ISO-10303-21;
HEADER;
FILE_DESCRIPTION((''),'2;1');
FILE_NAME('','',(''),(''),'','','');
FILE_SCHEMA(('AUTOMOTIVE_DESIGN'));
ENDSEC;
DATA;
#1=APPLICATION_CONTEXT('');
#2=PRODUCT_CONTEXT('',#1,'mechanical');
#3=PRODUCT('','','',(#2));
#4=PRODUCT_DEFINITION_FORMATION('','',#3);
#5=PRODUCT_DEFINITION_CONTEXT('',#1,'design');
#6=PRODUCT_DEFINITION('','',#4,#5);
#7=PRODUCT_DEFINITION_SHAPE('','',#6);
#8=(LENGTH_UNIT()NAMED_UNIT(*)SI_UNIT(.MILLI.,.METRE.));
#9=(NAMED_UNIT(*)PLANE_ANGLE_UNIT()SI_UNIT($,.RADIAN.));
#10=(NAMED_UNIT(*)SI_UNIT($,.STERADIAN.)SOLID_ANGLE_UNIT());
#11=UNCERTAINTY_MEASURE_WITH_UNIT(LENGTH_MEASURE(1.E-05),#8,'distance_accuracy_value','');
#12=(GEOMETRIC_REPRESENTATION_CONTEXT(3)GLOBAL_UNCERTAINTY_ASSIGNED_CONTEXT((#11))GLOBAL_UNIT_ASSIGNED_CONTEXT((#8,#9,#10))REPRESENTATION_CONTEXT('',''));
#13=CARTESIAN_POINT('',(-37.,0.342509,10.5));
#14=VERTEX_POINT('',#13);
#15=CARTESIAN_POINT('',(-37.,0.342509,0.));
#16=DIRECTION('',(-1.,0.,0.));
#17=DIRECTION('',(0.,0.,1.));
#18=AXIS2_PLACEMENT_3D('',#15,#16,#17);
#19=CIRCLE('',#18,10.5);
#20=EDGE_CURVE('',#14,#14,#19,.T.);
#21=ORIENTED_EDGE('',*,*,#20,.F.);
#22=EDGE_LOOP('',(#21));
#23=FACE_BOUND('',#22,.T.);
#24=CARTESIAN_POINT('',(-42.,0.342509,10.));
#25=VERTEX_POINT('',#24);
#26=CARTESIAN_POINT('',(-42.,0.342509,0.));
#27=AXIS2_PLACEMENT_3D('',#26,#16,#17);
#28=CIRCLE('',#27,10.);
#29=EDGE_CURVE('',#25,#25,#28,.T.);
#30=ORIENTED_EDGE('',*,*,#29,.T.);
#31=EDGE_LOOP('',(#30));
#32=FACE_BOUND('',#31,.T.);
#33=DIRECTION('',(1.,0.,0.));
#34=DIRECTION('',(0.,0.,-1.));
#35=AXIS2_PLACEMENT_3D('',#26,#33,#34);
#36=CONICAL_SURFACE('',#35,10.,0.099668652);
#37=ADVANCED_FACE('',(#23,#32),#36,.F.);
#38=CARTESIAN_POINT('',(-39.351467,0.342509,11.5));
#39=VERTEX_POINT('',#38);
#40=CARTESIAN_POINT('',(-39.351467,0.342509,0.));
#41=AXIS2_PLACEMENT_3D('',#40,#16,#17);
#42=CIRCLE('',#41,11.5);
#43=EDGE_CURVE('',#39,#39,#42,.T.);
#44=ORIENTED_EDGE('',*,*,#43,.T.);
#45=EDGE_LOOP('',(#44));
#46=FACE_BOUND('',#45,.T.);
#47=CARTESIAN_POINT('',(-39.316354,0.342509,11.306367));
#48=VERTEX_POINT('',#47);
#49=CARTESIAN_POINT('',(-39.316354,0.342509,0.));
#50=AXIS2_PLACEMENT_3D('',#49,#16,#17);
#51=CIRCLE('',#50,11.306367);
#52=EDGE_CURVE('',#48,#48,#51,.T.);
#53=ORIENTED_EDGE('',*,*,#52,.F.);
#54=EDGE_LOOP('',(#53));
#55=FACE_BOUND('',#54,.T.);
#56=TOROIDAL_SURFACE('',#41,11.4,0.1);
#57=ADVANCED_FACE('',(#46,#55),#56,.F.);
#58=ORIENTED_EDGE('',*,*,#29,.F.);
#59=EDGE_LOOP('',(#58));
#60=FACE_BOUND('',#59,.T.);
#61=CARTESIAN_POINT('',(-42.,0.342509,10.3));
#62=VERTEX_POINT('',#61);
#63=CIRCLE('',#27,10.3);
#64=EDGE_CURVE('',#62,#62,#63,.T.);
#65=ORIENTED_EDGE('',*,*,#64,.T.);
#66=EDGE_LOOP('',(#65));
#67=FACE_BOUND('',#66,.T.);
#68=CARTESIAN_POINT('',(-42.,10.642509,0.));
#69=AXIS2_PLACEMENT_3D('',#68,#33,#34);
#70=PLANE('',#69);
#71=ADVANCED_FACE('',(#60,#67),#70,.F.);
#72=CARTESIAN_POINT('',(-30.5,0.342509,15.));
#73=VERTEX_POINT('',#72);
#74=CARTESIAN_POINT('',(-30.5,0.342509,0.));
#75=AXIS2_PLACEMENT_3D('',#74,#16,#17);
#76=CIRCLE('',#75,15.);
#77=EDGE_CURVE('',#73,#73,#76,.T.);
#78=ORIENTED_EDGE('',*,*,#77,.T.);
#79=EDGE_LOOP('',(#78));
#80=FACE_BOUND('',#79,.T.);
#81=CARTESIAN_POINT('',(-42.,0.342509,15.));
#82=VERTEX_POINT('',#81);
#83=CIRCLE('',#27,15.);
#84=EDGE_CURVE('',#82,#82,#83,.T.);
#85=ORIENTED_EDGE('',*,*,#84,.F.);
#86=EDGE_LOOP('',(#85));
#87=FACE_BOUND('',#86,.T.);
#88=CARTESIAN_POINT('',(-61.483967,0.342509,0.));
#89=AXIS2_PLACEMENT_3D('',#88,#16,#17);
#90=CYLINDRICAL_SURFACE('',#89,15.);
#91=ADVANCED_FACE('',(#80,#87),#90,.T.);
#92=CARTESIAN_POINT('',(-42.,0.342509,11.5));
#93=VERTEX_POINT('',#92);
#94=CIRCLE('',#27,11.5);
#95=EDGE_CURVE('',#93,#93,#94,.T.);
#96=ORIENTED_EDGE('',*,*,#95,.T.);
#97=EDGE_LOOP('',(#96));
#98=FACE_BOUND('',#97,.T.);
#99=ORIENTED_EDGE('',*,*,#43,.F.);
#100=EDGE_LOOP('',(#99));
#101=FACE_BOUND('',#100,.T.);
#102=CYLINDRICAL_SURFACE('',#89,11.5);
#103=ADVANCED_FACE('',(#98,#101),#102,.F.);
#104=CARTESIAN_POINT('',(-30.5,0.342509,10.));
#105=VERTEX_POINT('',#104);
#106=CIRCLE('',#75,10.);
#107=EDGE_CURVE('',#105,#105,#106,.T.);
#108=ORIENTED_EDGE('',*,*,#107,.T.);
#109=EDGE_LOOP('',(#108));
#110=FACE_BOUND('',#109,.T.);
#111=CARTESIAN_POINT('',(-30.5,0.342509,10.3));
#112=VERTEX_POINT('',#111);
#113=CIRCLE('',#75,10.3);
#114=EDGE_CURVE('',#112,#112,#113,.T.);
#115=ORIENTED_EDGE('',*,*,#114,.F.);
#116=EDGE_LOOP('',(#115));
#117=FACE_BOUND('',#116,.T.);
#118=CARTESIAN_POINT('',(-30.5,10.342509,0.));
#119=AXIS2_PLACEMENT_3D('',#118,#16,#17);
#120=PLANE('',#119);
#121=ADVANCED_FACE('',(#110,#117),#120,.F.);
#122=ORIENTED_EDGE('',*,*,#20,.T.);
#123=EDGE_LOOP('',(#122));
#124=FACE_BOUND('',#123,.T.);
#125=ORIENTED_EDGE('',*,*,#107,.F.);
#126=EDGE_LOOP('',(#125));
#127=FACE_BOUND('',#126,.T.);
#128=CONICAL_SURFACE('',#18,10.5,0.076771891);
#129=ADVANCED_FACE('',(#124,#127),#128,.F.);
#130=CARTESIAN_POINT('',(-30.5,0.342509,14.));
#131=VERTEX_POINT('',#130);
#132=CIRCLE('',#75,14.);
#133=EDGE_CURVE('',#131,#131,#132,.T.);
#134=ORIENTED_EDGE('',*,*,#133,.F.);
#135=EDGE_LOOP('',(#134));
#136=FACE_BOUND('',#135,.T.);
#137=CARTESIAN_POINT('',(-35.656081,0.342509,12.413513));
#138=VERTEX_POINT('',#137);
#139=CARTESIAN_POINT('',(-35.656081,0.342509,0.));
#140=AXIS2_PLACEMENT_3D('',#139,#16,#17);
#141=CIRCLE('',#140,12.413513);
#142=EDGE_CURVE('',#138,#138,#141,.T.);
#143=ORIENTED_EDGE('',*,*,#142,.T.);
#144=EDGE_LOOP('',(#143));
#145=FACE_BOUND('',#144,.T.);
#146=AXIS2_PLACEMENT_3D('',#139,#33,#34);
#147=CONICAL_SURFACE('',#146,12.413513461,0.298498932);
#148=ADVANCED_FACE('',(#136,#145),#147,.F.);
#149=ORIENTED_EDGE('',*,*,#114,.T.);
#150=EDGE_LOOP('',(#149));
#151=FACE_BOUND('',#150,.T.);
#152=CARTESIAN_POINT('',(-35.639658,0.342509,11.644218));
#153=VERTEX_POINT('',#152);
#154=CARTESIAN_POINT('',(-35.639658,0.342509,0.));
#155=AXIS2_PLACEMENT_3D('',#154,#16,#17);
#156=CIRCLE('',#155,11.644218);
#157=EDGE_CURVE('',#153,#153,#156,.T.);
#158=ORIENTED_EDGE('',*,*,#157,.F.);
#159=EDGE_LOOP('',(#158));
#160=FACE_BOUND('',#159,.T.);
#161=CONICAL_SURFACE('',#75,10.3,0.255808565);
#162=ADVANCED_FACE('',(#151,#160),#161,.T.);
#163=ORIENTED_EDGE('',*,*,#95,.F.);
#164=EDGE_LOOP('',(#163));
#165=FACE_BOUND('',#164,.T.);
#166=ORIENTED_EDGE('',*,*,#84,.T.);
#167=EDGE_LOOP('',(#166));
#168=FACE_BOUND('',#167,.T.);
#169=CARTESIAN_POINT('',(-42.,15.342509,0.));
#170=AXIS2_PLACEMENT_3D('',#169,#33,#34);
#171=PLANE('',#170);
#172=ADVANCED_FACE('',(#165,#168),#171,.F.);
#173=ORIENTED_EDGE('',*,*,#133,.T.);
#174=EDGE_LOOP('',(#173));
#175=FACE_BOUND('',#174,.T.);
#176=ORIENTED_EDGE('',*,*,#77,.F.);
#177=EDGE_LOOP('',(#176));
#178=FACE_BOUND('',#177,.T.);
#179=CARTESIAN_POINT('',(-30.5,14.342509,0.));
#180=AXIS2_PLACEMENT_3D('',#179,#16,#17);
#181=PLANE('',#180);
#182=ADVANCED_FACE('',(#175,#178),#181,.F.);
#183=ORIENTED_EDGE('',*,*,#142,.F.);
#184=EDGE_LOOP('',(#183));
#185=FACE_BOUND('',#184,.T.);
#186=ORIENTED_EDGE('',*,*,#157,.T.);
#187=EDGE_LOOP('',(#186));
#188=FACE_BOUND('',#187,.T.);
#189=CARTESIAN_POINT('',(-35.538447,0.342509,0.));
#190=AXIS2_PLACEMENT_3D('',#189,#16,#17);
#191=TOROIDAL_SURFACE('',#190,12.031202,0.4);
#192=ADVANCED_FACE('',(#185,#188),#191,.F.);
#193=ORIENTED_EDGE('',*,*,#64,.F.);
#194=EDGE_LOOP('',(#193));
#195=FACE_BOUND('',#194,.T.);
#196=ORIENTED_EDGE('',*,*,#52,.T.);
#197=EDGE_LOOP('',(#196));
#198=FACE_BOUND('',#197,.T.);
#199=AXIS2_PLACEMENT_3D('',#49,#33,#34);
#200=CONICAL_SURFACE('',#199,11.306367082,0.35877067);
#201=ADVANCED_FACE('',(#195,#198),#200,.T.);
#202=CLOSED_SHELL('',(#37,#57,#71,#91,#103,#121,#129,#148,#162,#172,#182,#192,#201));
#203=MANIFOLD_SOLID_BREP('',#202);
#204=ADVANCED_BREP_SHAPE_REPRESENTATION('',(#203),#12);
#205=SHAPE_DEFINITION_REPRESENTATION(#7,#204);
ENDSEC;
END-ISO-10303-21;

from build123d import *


with BuildPart() as part:
    # Szkic1 → Obrót1 (revolve)
    with BuildSketch(Plane.XY, mode=Mode.PRIVATE) as obr_t1_sk:
        with BuildLine():
            Line((-30.5, 15.342508556), (-42, 15.342508556))
            Line((-42, 15.342508556), (-42, 11.842508556))
            Line((-42, 11.842508556), (-39.351466792, 11.842508556))
            ThreePointArc((-39.351466792, 11.842508556), (-39.253071436, 11.760351037), (-39.316354447, 11.648875638))
            Line((-39.316354447, 11.648875638), (-42, 10.642508556))
            Line((-42, 10.642508556), (-42, 10.342508556))
            Line((-42, 10.342508556), (-37, 10.842508556))
            Line((-37, 10.842508556), (-30.5, 10.342508556))
            Line((-30.5, 10.342508556), (-30.5, 10.642508556))
            Line((-30.5, 10.642508556), (-35.639658009, 11.986726805))
            ThreePointArc((-35.639658009, 11.986726805), (-35.938355792, 12.365172989), (-35.656081251, 12.756022017))
            Line((-35.656081251, 12.756022017), (-30.5, 14.342508556))
            Line((-30.5, 14.342508556), (-30.5, 15.342508556))
        make_face()
    revolve(obr_t1_sk.sketch.rotate(Axis((-61.483966901, 0.342508556, 0), (1, 0, 0)), 90), axis=Axis((-61.483966901, 0.342508556, 0), (1, 0, 0)))


solid = part.part
